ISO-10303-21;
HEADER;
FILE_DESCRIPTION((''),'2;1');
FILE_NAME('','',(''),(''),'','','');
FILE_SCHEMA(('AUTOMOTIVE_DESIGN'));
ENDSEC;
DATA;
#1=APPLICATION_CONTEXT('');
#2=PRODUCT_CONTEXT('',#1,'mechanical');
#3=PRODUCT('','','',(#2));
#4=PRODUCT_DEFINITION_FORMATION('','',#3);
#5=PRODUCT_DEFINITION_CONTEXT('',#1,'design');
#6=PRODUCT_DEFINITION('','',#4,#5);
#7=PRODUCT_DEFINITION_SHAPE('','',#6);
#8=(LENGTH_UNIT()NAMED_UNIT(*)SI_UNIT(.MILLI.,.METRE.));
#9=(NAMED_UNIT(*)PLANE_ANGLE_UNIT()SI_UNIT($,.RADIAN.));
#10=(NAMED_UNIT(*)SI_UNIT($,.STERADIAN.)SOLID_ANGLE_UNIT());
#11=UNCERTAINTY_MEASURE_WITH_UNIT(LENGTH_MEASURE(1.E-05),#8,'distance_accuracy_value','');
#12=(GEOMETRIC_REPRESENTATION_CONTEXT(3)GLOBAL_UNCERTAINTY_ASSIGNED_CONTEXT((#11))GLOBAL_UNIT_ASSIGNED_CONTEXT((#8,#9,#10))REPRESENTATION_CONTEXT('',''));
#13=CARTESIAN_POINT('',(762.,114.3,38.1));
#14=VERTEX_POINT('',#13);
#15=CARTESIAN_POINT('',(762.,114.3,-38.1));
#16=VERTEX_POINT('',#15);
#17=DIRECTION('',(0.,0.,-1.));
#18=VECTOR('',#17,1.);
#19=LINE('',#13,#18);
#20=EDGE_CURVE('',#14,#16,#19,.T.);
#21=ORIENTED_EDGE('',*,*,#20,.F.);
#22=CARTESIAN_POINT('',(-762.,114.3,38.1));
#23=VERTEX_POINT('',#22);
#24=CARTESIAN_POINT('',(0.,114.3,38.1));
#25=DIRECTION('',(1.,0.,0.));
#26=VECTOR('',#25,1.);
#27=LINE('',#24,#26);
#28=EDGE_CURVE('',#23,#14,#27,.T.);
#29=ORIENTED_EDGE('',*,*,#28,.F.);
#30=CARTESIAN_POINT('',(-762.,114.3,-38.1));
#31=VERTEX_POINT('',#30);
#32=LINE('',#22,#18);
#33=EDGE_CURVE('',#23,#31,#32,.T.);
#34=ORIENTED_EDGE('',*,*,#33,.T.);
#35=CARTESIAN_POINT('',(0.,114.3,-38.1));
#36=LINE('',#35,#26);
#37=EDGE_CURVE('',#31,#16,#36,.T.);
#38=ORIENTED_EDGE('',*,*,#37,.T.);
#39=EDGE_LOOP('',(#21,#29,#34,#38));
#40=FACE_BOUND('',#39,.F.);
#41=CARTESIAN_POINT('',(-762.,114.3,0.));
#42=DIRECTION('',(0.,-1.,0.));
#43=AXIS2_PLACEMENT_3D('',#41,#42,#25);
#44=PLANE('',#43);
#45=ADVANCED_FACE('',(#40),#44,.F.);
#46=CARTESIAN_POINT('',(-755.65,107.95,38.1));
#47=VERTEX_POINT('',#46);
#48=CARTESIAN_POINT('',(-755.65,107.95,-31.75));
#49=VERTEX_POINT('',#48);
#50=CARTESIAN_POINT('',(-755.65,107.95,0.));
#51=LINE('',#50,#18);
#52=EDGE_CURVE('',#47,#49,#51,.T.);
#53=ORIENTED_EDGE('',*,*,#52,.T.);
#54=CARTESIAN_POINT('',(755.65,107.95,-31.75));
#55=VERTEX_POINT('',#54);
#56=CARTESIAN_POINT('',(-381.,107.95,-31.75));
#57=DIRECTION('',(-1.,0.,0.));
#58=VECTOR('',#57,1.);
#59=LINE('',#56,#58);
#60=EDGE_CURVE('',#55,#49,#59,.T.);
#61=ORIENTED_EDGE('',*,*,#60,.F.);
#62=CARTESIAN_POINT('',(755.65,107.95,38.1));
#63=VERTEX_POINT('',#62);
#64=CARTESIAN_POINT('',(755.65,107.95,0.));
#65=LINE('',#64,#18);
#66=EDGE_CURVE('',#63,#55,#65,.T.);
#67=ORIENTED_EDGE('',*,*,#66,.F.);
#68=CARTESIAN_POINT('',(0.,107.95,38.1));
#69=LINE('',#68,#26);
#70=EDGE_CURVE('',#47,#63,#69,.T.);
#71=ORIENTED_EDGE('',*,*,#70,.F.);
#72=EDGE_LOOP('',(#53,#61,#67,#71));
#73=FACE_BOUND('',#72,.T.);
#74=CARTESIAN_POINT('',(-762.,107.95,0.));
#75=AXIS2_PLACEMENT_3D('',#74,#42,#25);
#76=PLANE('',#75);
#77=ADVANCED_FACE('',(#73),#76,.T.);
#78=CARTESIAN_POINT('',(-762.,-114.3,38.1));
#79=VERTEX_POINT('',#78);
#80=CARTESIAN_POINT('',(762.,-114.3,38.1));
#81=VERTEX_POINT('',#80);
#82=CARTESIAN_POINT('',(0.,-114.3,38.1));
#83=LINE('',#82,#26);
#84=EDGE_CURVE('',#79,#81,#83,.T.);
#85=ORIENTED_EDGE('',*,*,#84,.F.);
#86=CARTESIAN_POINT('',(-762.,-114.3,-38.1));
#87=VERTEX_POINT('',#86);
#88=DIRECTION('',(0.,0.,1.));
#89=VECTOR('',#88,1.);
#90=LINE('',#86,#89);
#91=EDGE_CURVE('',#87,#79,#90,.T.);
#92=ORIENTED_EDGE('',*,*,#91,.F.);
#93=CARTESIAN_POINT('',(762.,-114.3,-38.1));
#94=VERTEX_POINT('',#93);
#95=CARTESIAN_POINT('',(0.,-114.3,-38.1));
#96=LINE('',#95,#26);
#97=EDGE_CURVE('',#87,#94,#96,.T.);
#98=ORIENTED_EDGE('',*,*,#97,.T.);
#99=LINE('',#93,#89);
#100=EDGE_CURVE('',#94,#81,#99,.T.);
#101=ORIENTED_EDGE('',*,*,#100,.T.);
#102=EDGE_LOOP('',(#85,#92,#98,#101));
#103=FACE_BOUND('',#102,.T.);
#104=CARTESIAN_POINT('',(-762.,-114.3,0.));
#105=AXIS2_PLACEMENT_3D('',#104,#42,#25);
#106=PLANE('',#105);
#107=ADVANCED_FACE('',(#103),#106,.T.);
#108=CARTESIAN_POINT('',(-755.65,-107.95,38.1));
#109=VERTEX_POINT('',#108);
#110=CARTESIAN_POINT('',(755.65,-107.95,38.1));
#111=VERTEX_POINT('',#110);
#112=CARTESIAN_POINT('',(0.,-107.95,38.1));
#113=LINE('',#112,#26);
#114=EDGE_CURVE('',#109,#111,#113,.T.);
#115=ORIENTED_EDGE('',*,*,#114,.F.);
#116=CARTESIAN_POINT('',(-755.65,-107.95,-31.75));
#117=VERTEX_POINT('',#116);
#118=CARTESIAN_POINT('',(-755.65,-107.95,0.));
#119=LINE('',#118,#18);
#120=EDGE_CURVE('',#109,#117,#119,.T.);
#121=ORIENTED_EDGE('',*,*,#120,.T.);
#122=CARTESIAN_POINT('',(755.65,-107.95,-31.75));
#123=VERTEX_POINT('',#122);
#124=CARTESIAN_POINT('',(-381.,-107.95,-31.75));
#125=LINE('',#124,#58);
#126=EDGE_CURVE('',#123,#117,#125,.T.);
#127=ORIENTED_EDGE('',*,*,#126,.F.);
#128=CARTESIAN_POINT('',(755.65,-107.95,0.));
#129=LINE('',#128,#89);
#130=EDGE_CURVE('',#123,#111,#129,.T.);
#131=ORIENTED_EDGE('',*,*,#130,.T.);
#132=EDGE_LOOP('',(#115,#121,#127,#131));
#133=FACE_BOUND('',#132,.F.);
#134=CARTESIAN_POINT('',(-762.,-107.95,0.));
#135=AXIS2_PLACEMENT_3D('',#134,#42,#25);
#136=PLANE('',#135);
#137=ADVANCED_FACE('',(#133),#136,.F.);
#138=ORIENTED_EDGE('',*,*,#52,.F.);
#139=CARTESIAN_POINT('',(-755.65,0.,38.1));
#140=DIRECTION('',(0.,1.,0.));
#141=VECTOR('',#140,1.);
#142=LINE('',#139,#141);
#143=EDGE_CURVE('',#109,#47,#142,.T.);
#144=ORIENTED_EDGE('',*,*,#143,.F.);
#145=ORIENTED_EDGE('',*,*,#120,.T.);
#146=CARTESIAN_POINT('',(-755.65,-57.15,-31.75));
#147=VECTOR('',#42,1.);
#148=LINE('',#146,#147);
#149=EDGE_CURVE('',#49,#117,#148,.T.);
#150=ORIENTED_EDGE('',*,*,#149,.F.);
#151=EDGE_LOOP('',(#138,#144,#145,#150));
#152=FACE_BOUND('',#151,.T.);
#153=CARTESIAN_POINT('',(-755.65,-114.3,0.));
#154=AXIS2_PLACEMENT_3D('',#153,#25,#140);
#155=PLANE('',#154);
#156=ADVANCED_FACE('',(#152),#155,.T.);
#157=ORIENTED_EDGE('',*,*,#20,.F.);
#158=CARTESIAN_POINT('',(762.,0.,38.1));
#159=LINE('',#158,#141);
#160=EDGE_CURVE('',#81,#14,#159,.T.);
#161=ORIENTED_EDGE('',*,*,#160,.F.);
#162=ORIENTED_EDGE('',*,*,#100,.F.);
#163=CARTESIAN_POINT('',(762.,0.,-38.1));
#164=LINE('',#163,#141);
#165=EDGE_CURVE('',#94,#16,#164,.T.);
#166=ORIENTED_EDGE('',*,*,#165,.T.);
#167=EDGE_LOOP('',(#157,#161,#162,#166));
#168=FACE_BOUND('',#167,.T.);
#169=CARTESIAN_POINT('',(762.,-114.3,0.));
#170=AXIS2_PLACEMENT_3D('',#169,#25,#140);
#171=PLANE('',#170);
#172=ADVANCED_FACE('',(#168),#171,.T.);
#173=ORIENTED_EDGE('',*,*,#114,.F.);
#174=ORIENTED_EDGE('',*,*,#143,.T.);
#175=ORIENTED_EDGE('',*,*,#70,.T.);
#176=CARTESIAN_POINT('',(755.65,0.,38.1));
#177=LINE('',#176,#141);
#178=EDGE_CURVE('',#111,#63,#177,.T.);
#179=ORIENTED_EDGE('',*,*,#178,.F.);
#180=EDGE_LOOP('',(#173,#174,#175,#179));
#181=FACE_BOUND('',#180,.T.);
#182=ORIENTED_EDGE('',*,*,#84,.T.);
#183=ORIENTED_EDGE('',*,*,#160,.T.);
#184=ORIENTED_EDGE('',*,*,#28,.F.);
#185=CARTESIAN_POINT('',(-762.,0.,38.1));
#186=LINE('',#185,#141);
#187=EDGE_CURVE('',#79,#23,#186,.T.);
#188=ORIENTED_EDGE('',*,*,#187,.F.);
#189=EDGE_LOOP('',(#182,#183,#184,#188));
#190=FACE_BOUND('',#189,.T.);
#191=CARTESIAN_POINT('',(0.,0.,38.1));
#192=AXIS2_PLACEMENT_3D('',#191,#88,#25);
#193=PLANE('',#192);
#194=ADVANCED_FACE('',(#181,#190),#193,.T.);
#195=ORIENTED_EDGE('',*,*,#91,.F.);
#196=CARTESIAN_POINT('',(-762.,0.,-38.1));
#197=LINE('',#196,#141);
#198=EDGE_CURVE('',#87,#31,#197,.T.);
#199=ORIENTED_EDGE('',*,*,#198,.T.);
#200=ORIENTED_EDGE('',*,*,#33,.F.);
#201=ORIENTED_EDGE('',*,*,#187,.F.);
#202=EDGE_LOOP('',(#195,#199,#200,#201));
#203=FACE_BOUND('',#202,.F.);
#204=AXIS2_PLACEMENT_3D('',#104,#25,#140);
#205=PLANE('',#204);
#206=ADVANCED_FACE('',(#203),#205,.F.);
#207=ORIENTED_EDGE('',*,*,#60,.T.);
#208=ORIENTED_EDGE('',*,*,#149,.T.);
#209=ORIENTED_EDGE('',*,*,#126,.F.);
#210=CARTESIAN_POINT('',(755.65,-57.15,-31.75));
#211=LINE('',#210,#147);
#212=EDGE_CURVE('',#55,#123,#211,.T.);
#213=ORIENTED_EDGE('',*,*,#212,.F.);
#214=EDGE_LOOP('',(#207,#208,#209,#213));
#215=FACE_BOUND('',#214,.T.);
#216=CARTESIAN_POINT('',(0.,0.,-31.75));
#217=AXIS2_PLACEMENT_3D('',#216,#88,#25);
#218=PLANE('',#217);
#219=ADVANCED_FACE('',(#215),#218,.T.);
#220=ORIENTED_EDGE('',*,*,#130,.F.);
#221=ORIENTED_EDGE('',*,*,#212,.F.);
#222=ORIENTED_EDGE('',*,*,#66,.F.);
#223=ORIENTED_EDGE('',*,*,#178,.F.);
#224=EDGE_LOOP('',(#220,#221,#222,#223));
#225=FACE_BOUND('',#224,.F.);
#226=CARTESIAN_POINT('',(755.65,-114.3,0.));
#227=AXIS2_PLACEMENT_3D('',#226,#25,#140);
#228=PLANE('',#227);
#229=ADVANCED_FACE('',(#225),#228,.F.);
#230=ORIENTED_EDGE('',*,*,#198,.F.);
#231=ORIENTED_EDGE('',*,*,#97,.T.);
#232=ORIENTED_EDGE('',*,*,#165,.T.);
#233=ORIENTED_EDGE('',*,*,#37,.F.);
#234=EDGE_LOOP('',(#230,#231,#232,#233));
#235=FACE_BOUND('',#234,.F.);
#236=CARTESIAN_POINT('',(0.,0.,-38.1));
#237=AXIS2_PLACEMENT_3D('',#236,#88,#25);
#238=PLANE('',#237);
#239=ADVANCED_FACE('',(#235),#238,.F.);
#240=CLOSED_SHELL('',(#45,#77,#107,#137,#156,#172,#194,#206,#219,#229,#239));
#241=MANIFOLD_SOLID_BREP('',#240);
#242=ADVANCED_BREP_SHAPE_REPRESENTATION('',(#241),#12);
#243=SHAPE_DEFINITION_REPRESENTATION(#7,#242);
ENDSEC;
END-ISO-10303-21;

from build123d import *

# Parameters (mm, degrees)
F0_W     = 1524
F0_H     = 228.6
F1_DEPTH = 38.1
F2_T     = -6.35


with BuildPart() as f1:
    # F0 (on Top) → F1 (new body, symmetric)
    with BuildSketch(Plane.XY):
        Rectangle(F0_W, F0_H)
    extrude(amount=F1_DEPTH, both=True)

    # F2
    f2_openings = [f1.faces().sort_by_distance(p)[0] for p in [
        (0, 0, 38.1),
    ]]
    offset(amount=F2_T, openings=f2_openings)


solid = f1.part
